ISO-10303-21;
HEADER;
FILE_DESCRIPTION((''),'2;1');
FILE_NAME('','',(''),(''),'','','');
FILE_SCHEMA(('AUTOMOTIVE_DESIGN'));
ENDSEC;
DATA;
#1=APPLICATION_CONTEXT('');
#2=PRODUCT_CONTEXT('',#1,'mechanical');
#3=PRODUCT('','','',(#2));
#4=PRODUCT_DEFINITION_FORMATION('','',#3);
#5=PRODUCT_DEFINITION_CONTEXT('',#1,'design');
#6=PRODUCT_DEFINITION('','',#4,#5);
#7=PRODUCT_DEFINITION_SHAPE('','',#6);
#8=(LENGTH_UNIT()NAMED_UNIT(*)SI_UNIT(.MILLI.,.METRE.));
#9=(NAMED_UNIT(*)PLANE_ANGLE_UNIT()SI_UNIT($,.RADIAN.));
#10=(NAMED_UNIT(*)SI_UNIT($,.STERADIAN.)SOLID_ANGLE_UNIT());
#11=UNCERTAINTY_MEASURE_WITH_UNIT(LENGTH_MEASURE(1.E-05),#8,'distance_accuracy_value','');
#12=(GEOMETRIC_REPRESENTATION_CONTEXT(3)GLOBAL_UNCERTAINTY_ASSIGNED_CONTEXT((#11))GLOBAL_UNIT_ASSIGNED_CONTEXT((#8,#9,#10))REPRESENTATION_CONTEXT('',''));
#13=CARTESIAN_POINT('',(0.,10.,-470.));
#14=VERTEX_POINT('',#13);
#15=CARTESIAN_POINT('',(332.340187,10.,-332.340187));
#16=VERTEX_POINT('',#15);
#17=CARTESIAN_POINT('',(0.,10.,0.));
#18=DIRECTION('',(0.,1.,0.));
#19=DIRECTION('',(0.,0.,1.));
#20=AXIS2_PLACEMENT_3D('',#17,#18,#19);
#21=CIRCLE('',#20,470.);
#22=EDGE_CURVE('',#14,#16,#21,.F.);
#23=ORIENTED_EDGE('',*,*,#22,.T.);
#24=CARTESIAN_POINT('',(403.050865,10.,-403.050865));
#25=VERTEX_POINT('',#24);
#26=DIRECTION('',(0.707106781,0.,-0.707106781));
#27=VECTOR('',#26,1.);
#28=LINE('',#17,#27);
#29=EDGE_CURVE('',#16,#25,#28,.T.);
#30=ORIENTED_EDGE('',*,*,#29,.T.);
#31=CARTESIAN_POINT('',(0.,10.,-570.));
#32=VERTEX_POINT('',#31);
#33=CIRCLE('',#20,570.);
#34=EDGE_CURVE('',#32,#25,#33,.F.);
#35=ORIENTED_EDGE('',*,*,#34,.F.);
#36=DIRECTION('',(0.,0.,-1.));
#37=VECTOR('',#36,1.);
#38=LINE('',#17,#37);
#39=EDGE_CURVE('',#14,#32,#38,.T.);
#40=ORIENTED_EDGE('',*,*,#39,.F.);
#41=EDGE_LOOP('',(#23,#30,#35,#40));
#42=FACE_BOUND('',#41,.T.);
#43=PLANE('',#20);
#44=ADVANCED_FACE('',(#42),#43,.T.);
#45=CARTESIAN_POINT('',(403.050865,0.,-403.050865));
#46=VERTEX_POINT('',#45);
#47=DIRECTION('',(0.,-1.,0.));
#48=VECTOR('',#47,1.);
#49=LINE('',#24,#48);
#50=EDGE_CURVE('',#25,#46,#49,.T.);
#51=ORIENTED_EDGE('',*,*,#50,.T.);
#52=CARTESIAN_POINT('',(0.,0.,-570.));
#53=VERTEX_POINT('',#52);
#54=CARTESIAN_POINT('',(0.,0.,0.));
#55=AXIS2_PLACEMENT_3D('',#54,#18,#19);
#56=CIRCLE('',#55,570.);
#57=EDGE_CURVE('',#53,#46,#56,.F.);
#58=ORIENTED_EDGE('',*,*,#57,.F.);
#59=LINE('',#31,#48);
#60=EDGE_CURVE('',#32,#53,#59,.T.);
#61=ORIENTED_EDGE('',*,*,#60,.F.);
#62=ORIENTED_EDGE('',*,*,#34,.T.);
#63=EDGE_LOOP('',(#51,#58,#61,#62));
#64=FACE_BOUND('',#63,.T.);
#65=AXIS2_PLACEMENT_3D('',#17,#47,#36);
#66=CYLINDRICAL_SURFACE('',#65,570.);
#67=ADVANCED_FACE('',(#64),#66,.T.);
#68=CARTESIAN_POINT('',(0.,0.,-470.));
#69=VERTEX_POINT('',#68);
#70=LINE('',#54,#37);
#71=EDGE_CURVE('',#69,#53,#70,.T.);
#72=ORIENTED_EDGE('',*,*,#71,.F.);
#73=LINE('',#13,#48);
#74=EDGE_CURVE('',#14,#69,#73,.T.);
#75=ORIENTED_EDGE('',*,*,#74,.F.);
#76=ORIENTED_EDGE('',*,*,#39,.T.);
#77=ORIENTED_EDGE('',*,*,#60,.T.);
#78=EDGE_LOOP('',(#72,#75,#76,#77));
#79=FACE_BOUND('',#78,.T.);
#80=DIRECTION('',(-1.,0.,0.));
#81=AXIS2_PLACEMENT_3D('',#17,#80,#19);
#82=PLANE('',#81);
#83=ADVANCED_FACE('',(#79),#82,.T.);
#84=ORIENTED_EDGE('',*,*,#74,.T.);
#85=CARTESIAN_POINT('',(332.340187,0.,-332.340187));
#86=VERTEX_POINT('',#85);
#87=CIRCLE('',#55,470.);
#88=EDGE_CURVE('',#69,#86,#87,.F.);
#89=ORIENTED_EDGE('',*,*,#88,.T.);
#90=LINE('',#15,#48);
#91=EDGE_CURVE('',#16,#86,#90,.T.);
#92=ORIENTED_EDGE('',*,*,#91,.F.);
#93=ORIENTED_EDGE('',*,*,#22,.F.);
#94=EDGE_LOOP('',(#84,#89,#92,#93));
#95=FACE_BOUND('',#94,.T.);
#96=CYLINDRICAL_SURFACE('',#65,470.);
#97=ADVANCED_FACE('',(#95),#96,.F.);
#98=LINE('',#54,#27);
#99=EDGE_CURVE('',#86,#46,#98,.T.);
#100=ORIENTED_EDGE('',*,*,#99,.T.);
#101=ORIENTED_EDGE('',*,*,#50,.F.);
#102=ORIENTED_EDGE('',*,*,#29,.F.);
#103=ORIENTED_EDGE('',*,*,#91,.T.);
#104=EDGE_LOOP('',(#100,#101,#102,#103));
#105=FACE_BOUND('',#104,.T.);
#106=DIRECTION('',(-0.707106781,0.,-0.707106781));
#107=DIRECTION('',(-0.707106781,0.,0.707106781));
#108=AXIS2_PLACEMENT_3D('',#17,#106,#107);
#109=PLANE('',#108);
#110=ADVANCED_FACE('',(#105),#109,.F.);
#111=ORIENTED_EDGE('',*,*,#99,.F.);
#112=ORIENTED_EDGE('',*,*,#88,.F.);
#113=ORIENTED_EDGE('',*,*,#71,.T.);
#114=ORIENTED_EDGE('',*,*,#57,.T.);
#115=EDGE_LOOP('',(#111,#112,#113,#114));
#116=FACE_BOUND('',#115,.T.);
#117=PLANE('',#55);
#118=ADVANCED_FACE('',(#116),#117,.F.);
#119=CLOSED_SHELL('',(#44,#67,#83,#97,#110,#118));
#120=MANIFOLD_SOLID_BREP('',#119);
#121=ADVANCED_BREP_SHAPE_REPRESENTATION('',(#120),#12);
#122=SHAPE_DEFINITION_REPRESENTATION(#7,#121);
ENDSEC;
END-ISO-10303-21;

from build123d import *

# Parameters (mm, degrees)
BOSS_EXTRUDE1_DEPTH = 10


with BuildPart() as part:
    # Sketch1 → Boss-Extrude1 (new body)
    with BuildSketch(Plane(origin=(0, 0, 0), x_dir=(1, 0, 0), z_dir=(0, 1, 0))):
        with BuildLine():
            ThreePointArc((0, 570), (218.129556448, 526.611333531), (403.050865276, 403.050865276))
            Line((403.050865276, 403.050865276), (332.340187158, 332.340187158))
            ThreePointArc((332.340187158, 332.340187158), (179.861213212, 434.22338028), (0, 470))
            Line((0, 470), (0, 570))
        make_face()
    extrude(amount=BOSS_EXTRUDE1_DEPTH)


solid = part.part
